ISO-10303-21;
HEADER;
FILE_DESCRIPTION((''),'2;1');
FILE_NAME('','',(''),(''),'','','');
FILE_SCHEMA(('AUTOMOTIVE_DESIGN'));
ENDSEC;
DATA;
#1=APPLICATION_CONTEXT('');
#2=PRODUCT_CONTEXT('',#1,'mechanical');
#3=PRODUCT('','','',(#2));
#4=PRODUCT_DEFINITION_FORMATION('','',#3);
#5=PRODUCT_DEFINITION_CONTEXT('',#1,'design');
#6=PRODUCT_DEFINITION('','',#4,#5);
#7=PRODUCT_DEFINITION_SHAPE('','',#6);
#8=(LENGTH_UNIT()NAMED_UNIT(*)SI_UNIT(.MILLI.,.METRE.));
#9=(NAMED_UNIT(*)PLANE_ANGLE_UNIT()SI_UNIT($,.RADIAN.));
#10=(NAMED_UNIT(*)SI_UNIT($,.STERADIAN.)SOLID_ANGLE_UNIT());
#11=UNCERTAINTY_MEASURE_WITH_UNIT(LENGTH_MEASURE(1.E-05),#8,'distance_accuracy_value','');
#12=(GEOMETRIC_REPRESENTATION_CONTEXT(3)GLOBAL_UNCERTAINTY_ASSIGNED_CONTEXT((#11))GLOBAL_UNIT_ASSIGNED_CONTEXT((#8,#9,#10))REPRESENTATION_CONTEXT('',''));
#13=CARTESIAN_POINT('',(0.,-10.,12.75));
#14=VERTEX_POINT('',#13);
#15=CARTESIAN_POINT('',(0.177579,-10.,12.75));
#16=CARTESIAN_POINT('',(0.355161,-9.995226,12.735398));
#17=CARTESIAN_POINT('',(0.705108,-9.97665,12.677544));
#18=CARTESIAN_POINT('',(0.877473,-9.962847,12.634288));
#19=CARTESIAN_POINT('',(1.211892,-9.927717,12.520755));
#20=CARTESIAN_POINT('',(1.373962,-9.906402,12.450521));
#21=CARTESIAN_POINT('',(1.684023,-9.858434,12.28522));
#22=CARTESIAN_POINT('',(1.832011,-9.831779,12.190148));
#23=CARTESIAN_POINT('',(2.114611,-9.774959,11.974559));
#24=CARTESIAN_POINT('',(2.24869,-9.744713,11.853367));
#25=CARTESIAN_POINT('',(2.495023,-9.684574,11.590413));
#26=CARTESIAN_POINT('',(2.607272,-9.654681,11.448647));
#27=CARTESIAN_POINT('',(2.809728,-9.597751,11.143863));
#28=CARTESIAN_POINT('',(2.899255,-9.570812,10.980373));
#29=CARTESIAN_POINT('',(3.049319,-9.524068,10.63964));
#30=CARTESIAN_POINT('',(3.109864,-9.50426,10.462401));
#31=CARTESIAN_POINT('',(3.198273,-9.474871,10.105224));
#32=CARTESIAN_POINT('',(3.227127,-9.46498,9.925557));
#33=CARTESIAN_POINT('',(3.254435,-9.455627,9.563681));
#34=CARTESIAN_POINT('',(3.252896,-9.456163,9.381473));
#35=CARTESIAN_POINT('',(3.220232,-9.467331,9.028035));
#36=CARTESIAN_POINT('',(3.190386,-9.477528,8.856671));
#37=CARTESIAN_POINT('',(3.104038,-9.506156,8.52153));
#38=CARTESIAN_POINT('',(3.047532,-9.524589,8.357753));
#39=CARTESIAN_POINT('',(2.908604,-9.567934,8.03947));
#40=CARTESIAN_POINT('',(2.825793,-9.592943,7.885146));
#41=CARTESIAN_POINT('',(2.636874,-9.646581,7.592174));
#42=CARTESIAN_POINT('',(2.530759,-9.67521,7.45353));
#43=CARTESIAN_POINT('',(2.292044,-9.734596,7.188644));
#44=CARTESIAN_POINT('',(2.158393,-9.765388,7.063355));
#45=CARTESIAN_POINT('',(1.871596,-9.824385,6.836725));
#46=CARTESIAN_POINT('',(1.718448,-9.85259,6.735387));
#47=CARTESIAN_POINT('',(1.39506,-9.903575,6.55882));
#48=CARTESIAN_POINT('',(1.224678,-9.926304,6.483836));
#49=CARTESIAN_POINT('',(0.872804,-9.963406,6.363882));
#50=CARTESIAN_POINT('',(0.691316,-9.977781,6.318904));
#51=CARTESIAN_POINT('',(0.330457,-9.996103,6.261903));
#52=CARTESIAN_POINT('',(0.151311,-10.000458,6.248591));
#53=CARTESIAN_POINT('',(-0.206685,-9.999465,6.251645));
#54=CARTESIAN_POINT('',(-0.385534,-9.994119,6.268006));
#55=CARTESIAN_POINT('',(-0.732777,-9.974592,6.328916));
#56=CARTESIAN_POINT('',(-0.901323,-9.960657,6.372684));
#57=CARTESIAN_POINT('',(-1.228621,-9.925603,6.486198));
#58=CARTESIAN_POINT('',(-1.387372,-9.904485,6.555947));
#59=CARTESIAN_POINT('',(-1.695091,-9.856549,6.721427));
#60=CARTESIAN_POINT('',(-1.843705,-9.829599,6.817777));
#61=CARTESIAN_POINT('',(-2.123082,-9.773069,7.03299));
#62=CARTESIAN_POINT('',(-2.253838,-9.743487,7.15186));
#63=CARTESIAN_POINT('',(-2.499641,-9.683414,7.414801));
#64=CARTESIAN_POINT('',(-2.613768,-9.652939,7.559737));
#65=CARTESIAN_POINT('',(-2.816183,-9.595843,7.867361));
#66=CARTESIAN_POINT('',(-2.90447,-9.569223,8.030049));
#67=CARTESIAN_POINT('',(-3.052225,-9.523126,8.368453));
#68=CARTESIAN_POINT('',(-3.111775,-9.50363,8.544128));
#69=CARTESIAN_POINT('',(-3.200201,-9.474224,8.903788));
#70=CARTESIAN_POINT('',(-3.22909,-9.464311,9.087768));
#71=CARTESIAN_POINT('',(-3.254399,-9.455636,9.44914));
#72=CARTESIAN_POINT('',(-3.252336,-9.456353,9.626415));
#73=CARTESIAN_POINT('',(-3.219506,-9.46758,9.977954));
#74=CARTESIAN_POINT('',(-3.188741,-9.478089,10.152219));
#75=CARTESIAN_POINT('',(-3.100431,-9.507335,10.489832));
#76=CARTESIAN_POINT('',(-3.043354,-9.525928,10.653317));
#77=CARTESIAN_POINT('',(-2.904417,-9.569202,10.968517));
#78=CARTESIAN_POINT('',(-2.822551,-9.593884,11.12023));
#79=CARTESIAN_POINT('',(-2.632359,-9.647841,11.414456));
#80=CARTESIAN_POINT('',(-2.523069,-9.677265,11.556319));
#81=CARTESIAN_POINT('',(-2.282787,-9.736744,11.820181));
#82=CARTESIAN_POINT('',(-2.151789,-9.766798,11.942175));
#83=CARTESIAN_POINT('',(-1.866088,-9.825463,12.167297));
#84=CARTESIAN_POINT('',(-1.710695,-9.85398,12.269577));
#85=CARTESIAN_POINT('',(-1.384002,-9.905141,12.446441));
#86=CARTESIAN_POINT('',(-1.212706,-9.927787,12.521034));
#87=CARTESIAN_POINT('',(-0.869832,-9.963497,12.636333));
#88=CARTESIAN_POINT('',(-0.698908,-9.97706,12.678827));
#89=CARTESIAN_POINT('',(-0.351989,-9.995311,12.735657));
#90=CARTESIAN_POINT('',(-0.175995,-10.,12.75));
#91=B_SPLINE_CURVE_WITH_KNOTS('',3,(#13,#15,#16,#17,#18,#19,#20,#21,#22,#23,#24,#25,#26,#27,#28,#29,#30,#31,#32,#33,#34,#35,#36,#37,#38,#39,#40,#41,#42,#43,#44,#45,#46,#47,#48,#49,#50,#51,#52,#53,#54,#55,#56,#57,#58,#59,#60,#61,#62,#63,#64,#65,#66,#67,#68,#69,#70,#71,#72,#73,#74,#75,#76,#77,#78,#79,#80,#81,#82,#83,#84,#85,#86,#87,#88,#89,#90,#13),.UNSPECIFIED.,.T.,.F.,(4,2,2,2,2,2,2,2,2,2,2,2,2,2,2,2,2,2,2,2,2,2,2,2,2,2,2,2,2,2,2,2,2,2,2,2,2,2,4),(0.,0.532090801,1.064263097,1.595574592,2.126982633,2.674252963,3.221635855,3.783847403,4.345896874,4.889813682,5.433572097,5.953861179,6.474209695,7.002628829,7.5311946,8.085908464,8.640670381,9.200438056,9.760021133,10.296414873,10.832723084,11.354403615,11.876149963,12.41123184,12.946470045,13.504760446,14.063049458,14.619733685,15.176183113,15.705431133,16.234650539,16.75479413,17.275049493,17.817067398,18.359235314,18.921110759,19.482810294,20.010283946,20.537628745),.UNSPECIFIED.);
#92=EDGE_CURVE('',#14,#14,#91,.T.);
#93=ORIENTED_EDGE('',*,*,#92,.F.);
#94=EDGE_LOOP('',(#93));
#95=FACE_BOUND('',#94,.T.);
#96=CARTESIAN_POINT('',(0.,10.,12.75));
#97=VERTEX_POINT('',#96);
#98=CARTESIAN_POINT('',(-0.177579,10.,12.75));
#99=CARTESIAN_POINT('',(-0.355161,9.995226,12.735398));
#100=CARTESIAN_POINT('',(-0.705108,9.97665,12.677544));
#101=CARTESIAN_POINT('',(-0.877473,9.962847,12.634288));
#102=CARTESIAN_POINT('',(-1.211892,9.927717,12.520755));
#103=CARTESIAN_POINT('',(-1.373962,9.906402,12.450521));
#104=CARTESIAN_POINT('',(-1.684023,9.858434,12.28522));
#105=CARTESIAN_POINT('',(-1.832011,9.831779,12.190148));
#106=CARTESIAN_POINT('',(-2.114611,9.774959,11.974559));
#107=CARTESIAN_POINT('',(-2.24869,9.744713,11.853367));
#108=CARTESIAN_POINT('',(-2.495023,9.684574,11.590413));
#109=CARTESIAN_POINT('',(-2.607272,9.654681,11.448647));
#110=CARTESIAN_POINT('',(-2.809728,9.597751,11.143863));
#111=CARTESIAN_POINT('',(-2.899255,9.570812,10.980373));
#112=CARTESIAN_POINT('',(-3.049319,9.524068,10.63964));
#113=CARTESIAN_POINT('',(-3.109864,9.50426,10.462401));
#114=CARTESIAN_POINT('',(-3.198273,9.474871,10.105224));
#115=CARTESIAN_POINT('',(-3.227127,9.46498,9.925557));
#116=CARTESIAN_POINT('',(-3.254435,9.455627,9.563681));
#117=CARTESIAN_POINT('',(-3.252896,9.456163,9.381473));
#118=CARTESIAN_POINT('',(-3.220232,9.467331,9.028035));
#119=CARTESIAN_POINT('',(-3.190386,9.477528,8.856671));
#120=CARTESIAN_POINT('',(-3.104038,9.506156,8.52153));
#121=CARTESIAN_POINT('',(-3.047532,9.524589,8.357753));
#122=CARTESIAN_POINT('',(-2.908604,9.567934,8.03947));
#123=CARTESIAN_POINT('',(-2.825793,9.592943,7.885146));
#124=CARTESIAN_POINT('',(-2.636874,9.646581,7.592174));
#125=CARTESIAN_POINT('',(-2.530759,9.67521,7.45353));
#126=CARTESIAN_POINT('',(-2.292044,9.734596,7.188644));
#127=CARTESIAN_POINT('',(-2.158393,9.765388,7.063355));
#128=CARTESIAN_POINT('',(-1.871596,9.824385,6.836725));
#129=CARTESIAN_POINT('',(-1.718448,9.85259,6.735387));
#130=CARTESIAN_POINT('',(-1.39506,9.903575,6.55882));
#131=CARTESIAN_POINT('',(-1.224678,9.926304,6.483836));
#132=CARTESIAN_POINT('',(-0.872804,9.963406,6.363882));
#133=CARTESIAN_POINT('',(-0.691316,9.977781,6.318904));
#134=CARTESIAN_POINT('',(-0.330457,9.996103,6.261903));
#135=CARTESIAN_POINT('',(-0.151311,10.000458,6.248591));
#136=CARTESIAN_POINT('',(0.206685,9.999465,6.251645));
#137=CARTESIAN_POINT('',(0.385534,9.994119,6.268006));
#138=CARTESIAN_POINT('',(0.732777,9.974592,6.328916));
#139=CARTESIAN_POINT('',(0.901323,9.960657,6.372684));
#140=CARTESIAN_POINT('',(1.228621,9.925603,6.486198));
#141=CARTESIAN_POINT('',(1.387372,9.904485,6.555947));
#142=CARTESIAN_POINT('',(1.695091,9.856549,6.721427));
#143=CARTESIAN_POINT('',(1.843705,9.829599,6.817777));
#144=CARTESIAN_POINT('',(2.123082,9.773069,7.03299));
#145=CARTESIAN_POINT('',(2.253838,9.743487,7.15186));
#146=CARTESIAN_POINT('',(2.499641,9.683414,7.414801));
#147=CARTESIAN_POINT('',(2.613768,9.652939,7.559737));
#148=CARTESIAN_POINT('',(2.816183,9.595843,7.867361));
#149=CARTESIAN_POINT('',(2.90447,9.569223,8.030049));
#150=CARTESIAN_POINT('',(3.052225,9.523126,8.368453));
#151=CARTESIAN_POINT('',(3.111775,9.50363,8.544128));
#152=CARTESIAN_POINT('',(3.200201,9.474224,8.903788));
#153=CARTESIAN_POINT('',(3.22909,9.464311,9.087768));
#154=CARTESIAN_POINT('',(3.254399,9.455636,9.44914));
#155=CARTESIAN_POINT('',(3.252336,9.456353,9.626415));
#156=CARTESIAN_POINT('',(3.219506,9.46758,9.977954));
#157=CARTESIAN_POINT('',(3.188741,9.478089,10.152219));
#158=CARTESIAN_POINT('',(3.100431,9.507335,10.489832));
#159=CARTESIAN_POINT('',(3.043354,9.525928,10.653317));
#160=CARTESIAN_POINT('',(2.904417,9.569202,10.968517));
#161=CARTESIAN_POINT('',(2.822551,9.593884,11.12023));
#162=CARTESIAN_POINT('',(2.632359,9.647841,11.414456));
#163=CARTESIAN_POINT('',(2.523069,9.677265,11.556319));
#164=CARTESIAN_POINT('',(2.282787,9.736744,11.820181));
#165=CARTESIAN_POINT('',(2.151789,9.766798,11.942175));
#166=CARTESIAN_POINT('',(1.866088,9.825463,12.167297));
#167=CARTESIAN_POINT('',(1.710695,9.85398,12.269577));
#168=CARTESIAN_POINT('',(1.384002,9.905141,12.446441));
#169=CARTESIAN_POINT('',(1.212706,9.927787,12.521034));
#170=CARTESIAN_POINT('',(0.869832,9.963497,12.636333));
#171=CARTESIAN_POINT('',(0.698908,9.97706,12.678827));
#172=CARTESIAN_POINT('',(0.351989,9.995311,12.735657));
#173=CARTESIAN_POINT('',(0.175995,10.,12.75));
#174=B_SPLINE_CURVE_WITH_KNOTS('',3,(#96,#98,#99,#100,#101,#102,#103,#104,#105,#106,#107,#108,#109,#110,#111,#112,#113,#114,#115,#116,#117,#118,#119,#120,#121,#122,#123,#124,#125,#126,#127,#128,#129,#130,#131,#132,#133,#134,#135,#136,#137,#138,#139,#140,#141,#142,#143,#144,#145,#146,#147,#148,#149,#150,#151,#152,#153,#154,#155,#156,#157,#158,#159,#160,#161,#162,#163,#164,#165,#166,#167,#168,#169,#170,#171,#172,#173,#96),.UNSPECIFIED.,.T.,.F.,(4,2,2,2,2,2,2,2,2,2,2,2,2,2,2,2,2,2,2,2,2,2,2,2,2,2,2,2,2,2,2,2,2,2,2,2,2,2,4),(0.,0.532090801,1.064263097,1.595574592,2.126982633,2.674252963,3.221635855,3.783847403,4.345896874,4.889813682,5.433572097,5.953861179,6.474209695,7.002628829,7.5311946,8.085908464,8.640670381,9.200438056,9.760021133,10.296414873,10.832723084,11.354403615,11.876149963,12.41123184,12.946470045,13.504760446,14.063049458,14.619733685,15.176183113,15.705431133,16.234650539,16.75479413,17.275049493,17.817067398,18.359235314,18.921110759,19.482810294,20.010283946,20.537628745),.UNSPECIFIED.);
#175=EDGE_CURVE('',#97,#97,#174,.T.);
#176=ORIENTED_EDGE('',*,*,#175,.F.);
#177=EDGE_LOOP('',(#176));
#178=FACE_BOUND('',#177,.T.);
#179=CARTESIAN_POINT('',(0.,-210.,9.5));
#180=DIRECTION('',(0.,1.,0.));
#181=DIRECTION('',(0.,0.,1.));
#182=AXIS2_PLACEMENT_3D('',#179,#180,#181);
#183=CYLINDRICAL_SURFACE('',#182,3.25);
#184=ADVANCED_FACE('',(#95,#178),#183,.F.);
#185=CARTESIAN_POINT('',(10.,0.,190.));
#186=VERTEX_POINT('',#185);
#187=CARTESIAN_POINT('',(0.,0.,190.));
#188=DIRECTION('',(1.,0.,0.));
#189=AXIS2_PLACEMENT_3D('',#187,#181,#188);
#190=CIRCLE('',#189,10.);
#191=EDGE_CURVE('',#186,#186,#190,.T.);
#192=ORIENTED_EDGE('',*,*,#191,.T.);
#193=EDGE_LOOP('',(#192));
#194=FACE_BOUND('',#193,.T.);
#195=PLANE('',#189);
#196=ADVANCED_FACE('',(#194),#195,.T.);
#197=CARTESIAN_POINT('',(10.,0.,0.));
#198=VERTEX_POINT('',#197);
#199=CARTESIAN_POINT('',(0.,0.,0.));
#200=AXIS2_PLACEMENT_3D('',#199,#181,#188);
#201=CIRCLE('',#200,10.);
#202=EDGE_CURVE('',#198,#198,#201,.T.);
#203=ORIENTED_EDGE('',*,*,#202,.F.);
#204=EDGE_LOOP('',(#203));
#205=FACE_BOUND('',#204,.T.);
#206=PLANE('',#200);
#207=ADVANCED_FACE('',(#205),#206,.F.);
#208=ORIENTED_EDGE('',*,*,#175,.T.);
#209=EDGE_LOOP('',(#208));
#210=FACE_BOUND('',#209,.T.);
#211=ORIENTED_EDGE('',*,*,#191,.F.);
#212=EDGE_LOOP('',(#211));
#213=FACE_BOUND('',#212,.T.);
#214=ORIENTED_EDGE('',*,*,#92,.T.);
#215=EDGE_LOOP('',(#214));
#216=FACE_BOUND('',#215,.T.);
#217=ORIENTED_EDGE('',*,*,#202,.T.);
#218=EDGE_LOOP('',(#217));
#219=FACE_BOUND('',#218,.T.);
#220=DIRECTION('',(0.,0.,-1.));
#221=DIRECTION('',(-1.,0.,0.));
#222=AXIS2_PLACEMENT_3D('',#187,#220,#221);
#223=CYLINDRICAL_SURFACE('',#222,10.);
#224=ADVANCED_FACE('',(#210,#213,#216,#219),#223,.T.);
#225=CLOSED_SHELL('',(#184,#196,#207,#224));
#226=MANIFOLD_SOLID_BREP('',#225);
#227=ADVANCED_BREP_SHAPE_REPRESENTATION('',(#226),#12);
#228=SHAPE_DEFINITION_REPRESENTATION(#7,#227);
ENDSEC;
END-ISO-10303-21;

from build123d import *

# Parameters (mm, degrees)
SKETCH_1_R          = 10
EXTRUDE_1_DEPTH     = 190
SKETCH_2_R          = 3.25
CUT_EXTRUDE_1_DEPTH = 210


with BuildPart() as part:
    # 草图1 → 凸台-拉伸1 (new body)
    with BuildSketch(Plane.XY):
        Circle(SKETCH_1_R)
    extrude(amount=EXTRUDE_1_DEPTH)

    # 草图2 → 切除-拉伸1 (cut, symmetric)
    with BuildSketch(Plane(origin=(0, 0, 0), x_dir=(1, 0, 0), z_dir=(0, 1, 0))):
        with Locations((0, -9.5)):
            Circle(SKETCH_2_R)
    extrude(amount=CUT_EXTRUDE_1_DEPTH, both=True, mode=Mode.SUBTRACT)


solid = part.part
